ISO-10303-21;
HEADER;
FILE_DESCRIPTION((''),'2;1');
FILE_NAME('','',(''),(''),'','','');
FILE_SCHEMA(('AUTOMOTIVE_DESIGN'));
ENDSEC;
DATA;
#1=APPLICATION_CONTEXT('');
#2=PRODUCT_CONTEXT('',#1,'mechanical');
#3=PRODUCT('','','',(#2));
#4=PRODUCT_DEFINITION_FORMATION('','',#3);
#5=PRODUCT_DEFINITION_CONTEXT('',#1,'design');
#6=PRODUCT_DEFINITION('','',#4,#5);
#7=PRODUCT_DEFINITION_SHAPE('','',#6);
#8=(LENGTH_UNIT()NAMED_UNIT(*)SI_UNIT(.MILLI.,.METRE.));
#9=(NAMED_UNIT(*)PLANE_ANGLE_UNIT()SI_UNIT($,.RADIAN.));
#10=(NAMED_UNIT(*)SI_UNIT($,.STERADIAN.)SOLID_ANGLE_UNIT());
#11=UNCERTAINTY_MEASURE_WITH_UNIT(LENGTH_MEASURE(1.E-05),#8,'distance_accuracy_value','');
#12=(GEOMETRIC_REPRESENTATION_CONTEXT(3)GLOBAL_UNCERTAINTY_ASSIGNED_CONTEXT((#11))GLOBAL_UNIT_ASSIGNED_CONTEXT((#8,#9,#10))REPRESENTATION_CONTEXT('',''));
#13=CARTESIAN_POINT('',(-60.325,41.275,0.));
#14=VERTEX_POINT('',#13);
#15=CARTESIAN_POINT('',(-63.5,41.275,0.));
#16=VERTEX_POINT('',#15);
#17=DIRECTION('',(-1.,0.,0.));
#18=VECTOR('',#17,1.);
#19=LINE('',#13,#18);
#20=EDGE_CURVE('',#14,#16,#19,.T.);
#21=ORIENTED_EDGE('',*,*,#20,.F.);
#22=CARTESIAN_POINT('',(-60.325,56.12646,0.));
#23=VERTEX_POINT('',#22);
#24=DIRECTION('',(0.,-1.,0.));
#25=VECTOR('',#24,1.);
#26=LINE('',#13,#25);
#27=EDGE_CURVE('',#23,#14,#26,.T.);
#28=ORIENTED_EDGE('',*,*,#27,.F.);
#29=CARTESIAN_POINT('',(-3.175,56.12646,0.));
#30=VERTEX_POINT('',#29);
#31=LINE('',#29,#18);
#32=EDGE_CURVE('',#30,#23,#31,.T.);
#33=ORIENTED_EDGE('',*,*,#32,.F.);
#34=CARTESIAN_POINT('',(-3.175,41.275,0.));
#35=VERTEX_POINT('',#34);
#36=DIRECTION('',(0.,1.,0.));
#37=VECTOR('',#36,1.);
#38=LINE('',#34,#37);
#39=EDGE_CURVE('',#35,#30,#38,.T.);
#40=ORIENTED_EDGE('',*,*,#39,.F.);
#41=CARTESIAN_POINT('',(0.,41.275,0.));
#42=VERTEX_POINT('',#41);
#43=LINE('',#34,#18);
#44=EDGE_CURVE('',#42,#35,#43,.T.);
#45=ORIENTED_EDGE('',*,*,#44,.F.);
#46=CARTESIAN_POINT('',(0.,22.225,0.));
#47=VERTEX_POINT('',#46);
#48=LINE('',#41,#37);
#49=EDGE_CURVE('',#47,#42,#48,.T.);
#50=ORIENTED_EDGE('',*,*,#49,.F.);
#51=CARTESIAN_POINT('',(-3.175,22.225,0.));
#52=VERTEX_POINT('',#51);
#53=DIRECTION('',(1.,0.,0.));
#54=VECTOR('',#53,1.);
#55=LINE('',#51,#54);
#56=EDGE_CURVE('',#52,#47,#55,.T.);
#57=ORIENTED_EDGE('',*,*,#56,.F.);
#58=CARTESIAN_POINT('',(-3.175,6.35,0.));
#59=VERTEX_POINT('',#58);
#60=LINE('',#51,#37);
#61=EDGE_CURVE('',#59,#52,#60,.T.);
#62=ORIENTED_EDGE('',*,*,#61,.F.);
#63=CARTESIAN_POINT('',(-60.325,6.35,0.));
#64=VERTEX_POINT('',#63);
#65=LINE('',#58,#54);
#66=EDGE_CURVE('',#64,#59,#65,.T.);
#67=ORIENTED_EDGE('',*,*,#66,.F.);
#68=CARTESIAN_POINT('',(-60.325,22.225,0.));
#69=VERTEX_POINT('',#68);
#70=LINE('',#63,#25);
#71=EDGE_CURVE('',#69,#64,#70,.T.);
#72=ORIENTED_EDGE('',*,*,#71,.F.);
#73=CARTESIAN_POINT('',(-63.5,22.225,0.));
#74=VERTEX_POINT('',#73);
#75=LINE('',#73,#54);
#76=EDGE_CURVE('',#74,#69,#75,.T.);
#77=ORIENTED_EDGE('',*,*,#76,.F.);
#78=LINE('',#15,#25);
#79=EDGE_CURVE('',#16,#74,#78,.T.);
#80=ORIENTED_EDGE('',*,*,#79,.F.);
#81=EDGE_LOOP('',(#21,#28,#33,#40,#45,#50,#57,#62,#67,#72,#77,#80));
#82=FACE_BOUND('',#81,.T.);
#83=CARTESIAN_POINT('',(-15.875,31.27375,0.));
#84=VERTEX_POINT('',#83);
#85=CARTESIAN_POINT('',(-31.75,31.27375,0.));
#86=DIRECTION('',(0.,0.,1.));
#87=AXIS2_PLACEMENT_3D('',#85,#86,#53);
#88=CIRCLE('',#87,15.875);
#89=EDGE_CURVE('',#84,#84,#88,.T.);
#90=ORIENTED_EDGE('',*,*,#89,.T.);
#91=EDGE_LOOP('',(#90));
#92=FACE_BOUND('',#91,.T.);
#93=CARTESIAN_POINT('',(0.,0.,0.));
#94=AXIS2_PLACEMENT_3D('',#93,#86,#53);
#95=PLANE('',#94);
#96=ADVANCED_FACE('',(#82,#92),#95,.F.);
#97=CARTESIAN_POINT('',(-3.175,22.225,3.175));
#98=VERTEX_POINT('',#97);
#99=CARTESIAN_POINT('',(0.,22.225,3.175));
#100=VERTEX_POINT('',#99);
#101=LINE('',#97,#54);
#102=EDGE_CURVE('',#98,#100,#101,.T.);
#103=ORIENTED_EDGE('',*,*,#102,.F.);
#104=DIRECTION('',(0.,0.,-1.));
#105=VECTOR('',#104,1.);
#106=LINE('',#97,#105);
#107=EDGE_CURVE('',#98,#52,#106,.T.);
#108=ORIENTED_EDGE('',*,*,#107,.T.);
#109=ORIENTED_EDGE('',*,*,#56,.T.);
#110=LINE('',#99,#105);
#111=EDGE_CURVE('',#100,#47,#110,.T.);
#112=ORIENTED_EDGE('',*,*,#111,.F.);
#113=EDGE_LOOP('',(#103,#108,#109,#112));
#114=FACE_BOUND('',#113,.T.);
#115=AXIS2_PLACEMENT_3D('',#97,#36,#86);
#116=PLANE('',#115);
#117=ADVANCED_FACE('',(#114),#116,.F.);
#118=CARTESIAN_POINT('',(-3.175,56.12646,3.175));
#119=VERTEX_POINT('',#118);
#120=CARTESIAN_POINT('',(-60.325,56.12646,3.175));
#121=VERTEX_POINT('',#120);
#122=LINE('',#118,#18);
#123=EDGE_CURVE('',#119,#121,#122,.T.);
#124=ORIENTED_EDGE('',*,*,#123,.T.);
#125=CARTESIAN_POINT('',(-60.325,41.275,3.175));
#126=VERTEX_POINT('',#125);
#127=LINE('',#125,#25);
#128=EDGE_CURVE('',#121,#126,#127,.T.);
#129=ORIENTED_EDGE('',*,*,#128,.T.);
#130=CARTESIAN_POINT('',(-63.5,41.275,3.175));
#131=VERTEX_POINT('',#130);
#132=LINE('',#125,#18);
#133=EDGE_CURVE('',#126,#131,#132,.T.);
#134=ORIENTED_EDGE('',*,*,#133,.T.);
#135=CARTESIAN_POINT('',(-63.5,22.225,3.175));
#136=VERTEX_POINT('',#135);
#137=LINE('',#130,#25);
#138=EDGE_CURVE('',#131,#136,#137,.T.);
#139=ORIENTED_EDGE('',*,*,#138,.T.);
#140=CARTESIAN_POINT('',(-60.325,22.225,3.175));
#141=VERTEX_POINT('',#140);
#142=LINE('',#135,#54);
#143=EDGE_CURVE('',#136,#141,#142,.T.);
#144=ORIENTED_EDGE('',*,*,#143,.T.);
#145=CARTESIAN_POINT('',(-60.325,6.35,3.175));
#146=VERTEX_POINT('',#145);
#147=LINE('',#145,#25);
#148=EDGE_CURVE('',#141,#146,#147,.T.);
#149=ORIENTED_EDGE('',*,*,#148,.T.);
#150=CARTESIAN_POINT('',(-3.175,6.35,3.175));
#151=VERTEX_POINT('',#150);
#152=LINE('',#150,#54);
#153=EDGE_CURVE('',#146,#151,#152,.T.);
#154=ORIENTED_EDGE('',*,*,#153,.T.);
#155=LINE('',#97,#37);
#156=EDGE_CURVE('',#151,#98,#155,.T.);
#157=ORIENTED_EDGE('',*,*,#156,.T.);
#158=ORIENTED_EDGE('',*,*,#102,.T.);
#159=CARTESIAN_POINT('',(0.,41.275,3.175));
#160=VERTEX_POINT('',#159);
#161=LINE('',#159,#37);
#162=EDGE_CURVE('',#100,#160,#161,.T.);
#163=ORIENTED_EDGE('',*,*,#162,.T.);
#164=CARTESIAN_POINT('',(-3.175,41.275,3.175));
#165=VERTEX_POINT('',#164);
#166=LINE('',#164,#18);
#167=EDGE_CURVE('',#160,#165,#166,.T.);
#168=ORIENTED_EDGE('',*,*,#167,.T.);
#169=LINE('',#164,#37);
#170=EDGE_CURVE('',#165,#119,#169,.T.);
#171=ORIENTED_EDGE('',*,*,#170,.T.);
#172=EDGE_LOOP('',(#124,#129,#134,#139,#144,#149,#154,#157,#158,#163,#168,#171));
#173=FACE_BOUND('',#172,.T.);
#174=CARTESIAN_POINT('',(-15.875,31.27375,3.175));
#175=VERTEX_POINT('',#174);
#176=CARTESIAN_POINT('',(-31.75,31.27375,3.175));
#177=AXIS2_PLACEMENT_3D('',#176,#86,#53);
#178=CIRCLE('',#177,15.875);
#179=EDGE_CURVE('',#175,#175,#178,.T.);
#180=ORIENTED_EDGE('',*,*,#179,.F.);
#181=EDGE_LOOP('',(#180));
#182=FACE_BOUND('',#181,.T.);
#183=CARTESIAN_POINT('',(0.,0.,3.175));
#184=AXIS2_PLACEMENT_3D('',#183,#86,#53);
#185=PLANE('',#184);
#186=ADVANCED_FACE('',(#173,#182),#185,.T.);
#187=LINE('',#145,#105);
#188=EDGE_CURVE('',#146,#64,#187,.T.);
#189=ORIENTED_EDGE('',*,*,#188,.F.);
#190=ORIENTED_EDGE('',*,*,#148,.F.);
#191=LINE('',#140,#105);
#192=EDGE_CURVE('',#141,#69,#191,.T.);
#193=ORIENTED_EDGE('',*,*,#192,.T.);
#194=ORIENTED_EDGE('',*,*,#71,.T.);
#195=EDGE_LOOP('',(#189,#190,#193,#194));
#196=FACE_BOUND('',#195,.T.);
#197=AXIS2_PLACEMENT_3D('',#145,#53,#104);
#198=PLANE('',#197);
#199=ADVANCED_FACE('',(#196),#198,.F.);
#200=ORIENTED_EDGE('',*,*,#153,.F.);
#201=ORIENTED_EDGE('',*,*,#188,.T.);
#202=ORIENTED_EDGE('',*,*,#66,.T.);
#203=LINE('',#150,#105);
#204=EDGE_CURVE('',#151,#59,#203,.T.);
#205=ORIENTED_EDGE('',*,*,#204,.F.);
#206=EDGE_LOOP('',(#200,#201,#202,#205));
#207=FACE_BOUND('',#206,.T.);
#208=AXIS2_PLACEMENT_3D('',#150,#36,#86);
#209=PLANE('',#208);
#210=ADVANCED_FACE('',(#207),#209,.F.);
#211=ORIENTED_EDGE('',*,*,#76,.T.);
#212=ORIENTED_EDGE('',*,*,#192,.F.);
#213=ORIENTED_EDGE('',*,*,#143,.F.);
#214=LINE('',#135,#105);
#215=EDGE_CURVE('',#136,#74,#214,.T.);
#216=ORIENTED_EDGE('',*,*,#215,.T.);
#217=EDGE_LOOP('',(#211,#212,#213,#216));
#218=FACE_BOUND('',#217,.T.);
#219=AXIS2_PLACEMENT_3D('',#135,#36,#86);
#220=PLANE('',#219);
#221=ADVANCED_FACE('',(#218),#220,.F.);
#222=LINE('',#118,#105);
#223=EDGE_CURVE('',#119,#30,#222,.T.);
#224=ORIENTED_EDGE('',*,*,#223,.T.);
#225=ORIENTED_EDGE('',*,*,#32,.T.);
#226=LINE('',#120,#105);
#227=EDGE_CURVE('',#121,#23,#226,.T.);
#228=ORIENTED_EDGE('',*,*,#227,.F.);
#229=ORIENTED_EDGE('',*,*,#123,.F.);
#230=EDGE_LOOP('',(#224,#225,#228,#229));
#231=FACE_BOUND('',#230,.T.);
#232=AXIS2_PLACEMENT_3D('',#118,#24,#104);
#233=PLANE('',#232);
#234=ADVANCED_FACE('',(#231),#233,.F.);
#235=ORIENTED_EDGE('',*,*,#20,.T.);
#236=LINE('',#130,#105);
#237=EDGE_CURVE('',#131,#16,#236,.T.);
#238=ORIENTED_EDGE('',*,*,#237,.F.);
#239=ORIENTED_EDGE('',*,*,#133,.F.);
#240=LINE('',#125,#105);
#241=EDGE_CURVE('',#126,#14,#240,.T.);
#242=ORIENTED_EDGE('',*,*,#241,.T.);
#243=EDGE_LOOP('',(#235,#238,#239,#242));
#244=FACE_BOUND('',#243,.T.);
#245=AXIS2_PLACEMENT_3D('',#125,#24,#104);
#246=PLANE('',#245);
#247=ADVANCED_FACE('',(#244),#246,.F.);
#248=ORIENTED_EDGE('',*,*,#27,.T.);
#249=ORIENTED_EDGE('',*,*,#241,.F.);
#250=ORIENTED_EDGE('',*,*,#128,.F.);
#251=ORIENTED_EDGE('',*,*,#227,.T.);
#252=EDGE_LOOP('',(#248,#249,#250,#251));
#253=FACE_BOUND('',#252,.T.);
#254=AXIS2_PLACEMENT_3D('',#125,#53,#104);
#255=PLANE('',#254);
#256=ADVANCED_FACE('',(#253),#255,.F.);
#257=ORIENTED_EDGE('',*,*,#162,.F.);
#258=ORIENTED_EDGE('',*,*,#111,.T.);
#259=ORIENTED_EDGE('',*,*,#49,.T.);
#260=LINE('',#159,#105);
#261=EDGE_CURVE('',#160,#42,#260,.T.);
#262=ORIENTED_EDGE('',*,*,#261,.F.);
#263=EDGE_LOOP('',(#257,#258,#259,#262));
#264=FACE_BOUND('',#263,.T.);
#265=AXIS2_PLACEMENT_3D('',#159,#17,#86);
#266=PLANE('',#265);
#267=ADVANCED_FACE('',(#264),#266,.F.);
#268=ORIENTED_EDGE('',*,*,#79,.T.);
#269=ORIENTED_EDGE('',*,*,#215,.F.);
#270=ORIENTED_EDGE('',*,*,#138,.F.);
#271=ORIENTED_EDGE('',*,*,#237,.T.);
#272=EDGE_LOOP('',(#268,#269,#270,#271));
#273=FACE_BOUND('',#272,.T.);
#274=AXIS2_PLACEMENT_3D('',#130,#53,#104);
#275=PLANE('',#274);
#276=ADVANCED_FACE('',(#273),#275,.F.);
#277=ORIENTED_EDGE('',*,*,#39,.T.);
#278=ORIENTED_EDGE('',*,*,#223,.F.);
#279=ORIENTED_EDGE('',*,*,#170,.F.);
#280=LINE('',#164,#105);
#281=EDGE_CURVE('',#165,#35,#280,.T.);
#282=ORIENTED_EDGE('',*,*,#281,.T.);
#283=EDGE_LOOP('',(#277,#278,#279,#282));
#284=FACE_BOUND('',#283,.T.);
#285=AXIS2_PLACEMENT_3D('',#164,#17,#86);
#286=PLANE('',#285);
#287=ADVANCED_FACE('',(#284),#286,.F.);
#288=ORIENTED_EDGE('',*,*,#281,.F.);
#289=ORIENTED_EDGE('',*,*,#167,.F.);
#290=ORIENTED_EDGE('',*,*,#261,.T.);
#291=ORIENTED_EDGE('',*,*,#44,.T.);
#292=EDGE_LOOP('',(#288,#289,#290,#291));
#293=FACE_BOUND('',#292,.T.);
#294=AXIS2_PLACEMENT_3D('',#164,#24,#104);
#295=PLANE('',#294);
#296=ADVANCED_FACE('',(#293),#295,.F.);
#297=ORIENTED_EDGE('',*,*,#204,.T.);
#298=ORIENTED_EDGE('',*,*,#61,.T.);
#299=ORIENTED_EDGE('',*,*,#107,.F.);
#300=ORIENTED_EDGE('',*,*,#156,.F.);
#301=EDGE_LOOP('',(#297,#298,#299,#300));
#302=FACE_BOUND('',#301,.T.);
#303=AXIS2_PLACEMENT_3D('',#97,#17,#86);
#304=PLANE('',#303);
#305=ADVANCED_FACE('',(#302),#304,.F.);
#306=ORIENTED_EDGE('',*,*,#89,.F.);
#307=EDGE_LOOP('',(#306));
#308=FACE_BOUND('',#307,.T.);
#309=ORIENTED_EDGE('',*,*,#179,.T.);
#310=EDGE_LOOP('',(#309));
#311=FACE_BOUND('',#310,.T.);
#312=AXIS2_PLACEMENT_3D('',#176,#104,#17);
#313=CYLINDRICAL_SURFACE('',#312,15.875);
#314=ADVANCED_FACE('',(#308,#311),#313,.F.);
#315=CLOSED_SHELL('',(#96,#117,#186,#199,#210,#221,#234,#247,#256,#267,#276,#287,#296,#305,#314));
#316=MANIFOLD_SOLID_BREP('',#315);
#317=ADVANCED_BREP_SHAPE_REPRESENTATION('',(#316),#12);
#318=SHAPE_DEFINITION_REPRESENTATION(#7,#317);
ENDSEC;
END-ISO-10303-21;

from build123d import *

# Parameters (mm, degrees)
SKETCH1_R           = 15.875
BOSS_EXTRUDE1_DEPTH = 3.175


with BuildPart() as part:
    # Sketch1 → Boss-Extrude1 (new body)
    with BuildSketch(Plane.XY):
        Polygon((-3.175, 56.126459878), (-60.325, 56.126459878), (-60.325, 41.275), (-63.5, 41.275), (-63.5, 22.225), (-60.325, 22.225), (-60.325, 6.35), (-3.175, 6.35), (-3.175, 22.225), (0, 22.225), (0, 41.275), (-3.175, 41.275), align=None)
        with Locations((-31.75, 31.27375)):
            Circle(SKETCH1_R, mode=Mode.SUBTRACT)
    extrude(amount=BOSS_EXTRUDE1_DEPTH)


solid = part.part
